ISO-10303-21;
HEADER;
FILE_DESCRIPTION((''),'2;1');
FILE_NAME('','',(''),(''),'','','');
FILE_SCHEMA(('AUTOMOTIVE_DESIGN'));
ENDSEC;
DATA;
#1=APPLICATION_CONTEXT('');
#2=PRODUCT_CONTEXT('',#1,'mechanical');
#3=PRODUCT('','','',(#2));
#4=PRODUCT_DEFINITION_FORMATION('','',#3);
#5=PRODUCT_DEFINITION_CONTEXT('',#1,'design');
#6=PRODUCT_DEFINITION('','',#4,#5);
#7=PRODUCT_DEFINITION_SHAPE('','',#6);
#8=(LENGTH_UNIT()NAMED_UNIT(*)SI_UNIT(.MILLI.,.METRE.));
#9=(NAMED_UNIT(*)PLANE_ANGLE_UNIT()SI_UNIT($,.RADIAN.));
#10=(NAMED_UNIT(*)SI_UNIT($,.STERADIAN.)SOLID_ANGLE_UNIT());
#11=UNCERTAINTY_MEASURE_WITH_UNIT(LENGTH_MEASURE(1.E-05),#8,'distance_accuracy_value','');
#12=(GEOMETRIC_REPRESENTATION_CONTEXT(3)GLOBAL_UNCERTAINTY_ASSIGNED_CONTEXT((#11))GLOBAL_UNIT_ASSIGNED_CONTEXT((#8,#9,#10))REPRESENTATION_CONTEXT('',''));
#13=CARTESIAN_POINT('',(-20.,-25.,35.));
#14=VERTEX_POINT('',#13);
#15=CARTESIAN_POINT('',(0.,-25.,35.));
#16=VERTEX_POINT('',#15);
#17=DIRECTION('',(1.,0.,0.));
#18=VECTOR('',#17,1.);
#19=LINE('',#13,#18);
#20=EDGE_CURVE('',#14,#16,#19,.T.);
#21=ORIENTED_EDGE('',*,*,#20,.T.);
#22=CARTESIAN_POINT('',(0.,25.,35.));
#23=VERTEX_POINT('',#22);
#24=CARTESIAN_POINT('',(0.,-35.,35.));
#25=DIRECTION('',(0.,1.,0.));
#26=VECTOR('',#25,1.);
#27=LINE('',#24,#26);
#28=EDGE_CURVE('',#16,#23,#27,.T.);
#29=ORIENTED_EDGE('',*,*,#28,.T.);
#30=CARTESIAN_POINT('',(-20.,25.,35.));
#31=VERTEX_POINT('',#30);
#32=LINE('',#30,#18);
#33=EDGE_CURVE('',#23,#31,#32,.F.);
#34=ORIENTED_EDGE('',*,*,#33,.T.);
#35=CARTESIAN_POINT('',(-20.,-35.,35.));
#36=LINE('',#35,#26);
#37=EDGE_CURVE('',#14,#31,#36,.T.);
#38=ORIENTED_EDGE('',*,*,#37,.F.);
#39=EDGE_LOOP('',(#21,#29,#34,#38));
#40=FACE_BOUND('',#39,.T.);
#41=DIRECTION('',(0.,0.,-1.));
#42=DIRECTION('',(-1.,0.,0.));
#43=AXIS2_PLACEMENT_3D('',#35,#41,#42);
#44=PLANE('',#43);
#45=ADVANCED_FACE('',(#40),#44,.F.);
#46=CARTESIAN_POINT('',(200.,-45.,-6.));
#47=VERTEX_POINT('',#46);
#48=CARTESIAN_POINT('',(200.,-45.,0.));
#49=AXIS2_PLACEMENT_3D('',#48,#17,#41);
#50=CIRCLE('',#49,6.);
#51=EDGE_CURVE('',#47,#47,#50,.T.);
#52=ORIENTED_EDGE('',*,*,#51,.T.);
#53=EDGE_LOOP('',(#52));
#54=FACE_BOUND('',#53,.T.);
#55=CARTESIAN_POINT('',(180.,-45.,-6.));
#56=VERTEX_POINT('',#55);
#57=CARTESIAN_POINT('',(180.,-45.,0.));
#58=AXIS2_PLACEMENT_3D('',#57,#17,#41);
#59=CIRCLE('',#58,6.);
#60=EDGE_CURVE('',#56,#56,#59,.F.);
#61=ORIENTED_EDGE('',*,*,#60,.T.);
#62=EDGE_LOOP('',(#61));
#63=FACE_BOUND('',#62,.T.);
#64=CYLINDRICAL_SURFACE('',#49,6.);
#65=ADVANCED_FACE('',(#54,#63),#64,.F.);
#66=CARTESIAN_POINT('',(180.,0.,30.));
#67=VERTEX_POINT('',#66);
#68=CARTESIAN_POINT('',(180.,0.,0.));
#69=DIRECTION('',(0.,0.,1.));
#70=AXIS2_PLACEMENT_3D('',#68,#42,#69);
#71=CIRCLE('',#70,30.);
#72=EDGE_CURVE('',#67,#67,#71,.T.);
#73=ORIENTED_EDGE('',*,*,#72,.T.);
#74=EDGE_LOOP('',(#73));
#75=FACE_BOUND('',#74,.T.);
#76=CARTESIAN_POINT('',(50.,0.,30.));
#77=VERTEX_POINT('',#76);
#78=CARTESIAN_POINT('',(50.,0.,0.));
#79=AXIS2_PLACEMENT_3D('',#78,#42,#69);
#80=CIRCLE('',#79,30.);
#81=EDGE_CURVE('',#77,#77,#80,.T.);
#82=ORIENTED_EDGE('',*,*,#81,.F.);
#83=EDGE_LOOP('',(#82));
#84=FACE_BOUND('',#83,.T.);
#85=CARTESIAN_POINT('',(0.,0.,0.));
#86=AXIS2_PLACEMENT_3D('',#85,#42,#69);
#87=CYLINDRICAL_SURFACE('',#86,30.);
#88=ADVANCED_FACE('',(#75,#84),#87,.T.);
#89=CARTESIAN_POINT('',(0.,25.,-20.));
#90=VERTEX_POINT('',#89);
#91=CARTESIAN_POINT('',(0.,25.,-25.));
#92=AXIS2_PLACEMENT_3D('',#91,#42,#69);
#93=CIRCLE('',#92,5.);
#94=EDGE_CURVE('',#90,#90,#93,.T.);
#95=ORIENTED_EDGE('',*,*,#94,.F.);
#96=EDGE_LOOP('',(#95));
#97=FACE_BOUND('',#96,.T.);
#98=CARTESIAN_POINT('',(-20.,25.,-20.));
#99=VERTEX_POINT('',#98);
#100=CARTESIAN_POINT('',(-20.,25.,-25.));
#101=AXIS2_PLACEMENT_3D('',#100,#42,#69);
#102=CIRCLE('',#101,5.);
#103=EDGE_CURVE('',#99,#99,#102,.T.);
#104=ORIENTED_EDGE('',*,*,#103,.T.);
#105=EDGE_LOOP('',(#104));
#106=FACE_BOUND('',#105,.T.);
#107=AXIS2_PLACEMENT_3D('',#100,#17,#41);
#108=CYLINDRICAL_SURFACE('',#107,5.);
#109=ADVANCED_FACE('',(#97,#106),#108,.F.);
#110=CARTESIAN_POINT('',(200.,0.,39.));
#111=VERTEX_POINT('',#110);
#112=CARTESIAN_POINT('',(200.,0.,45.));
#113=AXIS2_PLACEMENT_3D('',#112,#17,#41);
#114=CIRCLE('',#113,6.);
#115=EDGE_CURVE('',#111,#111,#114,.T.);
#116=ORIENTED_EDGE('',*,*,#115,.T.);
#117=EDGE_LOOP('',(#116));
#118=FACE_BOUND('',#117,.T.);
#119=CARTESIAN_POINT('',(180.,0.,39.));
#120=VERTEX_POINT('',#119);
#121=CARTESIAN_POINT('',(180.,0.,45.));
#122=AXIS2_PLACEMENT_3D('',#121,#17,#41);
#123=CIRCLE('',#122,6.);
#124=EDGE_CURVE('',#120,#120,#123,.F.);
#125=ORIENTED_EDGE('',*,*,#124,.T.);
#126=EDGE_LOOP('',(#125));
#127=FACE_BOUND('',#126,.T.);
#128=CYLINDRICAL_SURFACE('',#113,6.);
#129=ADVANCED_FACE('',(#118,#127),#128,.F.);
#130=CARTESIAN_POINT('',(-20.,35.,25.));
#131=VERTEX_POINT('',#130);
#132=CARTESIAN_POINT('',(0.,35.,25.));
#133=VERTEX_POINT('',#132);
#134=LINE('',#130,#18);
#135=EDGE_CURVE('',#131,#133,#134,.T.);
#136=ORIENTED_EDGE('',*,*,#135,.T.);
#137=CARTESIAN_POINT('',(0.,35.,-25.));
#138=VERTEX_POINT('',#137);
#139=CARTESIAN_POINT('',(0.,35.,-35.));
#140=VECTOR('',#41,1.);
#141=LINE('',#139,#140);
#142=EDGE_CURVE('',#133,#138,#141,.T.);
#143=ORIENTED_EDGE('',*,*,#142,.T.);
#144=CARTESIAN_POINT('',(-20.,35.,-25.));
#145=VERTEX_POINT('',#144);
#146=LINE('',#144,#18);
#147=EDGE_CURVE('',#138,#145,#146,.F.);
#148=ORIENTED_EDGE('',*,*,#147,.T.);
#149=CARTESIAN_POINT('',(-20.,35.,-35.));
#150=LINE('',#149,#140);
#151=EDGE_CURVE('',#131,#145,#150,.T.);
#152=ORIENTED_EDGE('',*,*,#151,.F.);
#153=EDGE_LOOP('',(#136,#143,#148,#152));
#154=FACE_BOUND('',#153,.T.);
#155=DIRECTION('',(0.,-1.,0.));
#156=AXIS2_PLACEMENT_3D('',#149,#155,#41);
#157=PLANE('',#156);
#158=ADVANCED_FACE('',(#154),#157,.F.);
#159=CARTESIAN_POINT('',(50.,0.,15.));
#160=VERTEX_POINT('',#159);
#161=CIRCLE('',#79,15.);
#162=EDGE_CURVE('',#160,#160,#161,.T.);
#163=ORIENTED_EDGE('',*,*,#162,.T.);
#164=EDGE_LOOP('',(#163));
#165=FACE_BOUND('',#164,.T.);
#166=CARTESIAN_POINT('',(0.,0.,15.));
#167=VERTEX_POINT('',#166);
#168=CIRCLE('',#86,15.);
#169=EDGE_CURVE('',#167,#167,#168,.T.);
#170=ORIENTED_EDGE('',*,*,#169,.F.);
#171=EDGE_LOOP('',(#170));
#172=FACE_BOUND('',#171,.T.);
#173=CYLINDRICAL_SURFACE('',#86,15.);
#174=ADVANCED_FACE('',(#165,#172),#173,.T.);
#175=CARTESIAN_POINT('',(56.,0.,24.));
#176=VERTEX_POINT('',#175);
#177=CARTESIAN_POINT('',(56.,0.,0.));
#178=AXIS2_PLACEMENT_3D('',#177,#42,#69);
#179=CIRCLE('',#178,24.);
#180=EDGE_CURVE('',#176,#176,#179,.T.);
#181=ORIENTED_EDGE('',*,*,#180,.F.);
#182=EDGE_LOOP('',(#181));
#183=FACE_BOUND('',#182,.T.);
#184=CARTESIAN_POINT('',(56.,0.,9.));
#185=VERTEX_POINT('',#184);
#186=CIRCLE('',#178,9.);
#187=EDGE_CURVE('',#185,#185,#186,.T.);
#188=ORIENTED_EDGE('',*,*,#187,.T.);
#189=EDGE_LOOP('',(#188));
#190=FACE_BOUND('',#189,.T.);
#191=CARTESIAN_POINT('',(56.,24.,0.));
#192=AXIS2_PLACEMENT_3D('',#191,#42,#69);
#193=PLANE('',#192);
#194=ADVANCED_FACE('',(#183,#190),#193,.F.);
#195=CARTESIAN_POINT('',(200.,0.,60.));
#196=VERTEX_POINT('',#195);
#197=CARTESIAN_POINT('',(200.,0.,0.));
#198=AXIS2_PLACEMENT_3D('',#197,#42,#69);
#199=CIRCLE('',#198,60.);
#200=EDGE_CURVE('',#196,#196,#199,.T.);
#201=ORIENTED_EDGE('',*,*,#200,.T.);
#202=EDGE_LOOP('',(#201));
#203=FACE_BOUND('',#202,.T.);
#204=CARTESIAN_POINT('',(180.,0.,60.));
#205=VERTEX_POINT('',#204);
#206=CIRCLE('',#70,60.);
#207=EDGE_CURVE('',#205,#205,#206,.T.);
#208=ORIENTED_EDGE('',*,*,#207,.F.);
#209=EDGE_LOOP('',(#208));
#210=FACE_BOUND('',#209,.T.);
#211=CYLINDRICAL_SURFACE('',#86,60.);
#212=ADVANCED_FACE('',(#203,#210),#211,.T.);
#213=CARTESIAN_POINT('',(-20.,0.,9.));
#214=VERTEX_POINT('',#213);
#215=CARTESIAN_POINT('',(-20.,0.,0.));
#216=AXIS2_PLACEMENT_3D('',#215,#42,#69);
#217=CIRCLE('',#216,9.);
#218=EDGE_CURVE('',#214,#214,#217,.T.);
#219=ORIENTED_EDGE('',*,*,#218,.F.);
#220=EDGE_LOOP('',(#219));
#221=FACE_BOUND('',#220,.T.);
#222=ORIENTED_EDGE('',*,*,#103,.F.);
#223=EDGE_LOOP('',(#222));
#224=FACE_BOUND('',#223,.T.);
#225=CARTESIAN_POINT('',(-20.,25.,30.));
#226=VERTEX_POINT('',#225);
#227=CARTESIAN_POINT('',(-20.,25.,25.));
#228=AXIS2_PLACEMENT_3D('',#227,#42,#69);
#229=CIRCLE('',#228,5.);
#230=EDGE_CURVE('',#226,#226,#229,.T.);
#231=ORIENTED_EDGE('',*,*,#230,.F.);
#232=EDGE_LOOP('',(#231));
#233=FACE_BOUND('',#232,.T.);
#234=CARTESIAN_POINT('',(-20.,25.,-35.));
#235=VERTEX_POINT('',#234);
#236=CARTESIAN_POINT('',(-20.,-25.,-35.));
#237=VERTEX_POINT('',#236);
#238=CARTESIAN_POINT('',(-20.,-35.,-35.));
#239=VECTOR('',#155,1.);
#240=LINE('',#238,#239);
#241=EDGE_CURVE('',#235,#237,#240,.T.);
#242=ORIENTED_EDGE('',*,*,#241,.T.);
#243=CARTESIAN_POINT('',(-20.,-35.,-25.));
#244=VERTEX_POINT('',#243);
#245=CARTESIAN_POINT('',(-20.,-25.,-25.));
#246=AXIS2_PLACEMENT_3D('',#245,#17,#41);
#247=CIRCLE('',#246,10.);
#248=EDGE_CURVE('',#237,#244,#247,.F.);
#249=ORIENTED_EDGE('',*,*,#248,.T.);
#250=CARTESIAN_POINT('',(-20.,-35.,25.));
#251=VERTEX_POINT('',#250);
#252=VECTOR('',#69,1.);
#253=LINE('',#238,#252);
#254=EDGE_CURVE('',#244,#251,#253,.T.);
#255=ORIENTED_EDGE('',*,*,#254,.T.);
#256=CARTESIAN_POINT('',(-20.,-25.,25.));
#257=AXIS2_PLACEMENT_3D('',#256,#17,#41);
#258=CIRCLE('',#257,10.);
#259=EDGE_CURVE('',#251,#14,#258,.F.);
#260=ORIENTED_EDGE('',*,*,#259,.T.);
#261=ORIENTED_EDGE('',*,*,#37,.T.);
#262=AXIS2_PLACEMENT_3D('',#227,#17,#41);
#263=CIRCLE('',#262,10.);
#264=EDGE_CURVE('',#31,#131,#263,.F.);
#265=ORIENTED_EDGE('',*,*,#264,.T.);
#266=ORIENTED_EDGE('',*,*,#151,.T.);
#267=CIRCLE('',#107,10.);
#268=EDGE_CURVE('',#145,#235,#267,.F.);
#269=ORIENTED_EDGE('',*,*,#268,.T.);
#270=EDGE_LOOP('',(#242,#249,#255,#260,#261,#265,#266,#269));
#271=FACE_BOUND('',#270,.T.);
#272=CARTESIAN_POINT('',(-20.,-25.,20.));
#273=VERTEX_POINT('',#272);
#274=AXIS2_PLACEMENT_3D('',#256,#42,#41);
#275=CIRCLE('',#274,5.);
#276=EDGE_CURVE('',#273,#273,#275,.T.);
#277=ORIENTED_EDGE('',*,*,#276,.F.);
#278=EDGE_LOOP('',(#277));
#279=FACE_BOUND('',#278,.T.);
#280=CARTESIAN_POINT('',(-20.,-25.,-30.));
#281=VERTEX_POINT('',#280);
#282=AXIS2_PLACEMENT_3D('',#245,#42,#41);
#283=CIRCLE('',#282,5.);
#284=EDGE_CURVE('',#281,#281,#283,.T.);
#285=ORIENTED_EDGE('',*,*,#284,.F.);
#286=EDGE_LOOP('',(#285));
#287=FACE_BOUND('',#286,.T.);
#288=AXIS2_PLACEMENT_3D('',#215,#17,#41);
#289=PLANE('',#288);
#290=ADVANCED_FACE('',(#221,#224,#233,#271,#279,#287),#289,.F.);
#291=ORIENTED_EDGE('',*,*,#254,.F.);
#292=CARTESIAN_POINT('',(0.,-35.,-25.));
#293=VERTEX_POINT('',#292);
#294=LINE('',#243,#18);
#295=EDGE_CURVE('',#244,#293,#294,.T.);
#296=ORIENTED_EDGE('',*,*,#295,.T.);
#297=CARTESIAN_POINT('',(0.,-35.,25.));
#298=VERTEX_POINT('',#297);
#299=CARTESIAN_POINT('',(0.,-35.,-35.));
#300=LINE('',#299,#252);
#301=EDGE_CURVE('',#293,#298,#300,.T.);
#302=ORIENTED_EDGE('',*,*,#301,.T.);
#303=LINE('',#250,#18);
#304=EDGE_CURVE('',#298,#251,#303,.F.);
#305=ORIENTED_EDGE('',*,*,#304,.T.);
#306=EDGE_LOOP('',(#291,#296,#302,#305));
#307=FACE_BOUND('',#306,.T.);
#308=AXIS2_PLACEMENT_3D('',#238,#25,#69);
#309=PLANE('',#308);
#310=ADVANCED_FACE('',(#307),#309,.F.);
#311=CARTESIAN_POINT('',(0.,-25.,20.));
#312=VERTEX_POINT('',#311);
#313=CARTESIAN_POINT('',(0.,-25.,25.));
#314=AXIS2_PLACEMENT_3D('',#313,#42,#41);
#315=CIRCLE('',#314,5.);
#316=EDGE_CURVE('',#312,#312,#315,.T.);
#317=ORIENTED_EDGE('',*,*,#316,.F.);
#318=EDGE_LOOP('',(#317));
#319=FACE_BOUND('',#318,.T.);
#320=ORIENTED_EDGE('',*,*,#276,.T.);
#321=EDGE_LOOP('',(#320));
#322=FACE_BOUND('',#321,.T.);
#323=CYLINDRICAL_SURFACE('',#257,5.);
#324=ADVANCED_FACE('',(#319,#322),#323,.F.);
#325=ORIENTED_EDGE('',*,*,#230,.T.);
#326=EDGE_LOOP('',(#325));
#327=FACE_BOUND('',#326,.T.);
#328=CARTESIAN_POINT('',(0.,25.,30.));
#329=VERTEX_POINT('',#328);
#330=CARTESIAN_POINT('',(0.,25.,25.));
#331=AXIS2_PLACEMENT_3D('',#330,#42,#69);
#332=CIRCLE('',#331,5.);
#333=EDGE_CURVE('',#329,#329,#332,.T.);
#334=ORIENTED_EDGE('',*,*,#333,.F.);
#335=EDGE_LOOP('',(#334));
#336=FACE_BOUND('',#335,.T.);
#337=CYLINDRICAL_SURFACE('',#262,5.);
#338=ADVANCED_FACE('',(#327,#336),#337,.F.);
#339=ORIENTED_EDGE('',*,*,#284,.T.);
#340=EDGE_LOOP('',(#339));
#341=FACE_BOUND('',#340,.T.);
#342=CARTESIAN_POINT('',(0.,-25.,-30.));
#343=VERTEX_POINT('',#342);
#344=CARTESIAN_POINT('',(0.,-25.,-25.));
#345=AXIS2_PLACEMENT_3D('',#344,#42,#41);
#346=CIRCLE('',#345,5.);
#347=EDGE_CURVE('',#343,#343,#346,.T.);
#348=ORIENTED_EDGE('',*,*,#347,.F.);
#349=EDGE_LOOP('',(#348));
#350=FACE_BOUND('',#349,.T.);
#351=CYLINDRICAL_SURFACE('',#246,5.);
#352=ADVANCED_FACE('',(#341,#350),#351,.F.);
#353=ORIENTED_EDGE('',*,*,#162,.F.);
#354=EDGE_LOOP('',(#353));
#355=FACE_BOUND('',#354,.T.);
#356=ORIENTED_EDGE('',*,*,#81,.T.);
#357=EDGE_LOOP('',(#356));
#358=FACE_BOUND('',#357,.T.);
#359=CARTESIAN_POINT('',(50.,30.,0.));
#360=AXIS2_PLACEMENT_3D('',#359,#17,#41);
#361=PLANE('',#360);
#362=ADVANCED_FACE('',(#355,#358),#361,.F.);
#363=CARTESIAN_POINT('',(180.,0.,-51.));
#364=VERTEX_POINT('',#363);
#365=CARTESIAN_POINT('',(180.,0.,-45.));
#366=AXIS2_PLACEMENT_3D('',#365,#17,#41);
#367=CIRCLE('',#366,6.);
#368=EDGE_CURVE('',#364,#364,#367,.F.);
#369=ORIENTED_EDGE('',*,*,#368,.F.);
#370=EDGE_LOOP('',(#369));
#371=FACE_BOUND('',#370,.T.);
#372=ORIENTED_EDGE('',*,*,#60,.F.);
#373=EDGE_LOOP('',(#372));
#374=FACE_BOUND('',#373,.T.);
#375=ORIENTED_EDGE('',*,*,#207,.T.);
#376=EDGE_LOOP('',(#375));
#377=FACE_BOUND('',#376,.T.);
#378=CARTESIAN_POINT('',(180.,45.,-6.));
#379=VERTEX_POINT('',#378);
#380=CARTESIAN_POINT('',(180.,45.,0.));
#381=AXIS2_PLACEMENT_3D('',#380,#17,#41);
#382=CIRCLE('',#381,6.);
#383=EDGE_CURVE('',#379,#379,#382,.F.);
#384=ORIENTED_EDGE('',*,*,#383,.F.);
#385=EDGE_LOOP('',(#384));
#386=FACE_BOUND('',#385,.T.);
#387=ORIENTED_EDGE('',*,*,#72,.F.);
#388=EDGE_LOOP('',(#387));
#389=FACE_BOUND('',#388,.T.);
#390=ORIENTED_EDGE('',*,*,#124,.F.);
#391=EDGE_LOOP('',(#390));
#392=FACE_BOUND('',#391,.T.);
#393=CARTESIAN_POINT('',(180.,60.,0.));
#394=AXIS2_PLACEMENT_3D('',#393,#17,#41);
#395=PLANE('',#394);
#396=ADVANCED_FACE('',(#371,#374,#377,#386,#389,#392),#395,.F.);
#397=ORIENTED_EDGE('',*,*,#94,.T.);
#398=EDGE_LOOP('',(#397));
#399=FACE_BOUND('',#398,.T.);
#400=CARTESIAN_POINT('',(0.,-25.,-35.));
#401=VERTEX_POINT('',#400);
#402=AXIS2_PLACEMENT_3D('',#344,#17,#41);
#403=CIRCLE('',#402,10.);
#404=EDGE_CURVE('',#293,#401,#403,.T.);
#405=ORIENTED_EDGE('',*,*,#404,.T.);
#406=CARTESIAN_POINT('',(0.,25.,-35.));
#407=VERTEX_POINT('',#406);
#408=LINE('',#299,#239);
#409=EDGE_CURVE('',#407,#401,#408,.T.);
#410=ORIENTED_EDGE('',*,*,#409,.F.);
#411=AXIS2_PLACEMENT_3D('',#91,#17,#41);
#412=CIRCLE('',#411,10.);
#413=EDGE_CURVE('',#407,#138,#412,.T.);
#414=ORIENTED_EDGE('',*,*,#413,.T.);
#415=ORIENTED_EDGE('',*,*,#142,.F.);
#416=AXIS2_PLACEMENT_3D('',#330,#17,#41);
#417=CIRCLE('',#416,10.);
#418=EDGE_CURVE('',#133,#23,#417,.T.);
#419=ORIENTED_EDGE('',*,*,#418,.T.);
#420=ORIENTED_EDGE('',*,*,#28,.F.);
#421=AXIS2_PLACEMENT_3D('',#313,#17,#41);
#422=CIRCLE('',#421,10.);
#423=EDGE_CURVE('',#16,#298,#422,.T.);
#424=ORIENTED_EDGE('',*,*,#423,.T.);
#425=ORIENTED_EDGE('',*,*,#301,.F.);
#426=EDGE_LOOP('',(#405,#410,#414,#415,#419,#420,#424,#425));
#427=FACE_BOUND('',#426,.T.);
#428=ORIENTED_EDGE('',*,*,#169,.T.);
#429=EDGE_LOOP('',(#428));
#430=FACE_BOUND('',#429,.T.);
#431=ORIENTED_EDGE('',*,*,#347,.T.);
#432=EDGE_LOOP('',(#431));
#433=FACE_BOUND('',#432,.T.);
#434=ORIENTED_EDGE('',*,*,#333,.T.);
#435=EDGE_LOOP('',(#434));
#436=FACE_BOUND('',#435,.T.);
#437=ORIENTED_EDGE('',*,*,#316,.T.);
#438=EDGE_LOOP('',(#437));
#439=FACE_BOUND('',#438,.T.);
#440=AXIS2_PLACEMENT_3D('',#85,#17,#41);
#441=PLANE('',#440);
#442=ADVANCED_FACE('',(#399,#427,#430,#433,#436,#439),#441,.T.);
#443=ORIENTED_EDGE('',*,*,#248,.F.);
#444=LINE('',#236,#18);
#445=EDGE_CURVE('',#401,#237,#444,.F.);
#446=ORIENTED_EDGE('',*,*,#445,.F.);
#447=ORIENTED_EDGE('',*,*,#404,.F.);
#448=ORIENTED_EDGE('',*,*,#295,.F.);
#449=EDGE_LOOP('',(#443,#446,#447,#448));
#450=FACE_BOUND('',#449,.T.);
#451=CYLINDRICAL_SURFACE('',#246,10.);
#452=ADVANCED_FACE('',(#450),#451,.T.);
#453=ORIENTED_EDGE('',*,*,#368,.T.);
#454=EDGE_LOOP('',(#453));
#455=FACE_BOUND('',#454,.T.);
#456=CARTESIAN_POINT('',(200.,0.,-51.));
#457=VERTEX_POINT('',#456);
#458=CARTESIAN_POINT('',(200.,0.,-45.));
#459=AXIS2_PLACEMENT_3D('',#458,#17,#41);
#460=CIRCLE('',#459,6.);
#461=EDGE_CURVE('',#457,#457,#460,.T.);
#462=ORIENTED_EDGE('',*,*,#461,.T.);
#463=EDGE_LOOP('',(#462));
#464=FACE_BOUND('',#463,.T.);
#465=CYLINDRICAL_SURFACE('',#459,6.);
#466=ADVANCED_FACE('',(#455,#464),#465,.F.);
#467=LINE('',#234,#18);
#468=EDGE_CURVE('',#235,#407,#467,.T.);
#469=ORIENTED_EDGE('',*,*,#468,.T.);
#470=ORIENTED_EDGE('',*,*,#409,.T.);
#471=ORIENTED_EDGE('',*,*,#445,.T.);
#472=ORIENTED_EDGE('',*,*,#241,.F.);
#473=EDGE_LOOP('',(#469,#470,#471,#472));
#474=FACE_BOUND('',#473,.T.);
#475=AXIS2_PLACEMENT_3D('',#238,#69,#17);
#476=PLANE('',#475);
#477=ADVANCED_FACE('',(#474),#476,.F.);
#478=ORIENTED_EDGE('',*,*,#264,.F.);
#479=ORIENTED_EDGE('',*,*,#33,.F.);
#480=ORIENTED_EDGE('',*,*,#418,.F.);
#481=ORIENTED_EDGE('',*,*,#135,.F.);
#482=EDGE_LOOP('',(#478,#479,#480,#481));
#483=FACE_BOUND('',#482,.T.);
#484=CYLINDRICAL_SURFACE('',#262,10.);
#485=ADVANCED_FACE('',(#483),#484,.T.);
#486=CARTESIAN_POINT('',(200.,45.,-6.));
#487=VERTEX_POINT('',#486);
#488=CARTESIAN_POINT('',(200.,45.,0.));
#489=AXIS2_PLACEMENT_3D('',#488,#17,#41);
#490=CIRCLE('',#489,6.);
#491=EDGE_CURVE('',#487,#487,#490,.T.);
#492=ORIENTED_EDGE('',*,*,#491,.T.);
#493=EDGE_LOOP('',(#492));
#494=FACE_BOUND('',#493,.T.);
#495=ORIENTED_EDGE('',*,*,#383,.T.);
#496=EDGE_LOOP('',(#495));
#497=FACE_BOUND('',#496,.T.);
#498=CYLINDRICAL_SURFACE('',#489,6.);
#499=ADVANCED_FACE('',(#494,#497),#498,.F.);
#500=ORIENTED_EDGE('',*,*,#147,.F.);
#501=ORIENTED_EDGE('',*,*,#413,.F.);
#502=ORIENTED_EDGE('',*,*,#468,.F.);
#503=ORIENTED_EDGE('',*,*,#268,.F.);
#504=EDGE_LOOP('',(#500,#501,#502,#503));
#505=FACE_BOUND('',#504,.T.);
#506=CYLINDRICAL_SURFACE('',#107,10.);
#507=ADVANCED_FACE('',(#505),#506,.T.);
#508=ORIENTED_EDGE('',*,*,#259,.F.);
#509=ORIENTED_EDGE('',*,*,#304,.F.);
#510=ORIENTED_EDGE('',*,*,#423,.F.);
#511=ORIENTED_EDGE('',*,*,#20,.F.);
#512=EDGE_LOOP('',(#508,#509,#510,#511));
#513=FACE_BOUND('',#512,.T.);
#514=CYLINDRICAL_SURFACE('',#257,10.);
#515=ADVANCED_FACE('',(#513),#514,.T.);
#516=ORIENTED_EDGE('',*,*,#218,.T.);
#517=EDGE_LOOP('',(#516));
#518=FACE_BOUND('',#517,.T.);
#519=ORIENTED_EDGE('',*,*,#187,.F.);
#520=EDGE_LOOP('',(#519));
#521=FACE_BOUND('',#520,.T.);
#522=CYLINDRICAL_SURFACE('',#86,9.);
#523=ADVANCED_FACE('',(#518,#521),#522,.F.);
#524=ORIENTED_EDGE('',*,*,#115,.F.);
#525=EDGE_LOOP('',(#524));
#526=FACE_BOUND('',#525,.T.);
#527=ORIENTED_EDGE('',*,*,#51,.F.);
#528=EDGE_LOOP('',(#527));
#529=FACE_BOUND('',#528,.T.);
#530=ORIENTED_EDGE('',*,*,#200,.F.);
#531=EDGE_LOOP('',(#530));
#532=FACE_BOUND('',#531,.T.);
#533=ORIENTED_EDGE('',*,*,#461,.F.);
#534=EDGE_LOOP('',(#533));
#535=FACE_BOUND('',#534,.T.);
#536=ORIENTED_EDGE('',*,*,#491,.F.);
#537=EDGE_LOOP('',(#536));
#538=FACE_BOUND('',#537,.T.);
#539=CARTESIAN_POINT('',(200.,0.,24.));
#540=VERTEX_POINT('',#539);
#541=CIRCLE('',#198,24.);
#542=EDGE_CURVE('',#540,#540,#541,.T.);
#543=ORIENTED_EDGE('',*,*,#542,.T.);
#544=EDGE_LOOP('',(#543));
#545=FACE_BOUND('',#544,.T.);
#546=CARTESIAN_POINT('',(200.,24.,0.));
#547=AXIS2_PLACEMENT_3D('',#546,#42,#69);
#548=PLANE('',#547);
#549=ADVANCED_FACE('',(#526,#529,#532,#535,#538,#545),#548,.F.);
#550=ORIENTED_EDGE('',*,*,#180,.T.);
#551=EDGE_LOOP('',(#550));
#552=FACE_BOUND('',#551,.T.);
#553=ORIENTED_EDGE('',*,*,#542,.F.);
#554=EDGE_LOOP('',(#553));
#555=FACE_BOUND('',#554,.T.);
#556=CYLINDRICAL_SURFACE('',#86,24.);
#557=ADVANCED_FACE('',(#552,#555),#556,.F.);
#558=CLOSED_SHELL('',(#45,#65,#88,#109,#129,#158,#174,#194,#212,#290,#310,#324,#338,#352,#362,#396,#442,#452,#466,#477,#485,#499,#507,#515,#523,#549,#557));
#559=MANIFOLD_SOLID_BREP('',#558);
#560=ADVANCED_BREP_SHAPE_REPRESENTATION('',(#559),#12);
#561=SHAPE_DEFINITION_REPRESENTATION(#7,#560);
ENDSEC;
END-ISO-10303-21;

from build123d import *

# Parameters (mm, degrees)
SKETCH2_W              = 70
SKETCH2_H              = 70
SKETCH2_R              = 5
SKETCH2_R_2            = 9
BOSS_EXTRUDE1_DEPTH    = 20
FILLET1_R              = 10
F_12_0MM_DOWEL_HOLE1_D = 12


with BuildPart() as part:
    # Sketch1 → Revolve1 (revolve)
    with BuildSketch(Plane.XY, mode=Mode.PRIVATE) as revolve1_sk:
        Polygon((200, 24), (200, 60), (180, 60), (180, 30), (50, 30), (50, 15), (0, 15), (0, 9), (56, 9), (56, 24), align=None)
    revolve(revolve1_sk.sketch.rotate(Axis((0, 0, 0), (1, 0, 0)), 90), axis=Axis((0, 0, 0), (1, 0, 0)))

    # Sketch2 → Boss-Extrude1 (add)
    with BuildSketch(Plane.ZY):
        Rectangle(SKETCH2_W, SKETCH2_H)
        with Locations((-25, 25)):
            Circle(SKETCH2_R, mode=Mode.SUBTRACT)
        with Locations((25, 25)):
            Circle(SKETCH2_R, mode=Mode.SUBTRACT)
        with Locations(Location((25, -25, 0), (0, 0, 180))):
            Circle(SKETCH2_R, mode=Mode.SUBTRACT)
        with Locations(Location((-25, -25, 0), (0, 0, 180))):
            Circle(SKETCH2_R, mode=Mode.SUBTRACT)
        Circle(SKETCH2_R_2, mode=Mode.SUBTRACT)
    extrude(amount=BOSS_EXTRUDE1_DEPTH)

    # Fillet1
    fillet1_edges = [part.edges().sort_by_distance(p)[0] for p in [
        (-10, -35, 35),
        (-10, 35, 35),
        (-10, 35, -35),
        (-10, -35, -35),
    ]]
    fillet(fillet1_edges, radius=FILLET1_R)

    # Ø12.0mm Dowel Hole1 (through all)
    with Locations(Plane(origin=(200, 0, 0), x_dir=(0, 0, -1), z_dir=(1, 0, 0))):
        with Locations((45, 0), (0, 45), (-45, 0), (0, -45)):
            Hole(F_12_0MM_DOWEL_HOLE1_D / 2)


solid = part.part
